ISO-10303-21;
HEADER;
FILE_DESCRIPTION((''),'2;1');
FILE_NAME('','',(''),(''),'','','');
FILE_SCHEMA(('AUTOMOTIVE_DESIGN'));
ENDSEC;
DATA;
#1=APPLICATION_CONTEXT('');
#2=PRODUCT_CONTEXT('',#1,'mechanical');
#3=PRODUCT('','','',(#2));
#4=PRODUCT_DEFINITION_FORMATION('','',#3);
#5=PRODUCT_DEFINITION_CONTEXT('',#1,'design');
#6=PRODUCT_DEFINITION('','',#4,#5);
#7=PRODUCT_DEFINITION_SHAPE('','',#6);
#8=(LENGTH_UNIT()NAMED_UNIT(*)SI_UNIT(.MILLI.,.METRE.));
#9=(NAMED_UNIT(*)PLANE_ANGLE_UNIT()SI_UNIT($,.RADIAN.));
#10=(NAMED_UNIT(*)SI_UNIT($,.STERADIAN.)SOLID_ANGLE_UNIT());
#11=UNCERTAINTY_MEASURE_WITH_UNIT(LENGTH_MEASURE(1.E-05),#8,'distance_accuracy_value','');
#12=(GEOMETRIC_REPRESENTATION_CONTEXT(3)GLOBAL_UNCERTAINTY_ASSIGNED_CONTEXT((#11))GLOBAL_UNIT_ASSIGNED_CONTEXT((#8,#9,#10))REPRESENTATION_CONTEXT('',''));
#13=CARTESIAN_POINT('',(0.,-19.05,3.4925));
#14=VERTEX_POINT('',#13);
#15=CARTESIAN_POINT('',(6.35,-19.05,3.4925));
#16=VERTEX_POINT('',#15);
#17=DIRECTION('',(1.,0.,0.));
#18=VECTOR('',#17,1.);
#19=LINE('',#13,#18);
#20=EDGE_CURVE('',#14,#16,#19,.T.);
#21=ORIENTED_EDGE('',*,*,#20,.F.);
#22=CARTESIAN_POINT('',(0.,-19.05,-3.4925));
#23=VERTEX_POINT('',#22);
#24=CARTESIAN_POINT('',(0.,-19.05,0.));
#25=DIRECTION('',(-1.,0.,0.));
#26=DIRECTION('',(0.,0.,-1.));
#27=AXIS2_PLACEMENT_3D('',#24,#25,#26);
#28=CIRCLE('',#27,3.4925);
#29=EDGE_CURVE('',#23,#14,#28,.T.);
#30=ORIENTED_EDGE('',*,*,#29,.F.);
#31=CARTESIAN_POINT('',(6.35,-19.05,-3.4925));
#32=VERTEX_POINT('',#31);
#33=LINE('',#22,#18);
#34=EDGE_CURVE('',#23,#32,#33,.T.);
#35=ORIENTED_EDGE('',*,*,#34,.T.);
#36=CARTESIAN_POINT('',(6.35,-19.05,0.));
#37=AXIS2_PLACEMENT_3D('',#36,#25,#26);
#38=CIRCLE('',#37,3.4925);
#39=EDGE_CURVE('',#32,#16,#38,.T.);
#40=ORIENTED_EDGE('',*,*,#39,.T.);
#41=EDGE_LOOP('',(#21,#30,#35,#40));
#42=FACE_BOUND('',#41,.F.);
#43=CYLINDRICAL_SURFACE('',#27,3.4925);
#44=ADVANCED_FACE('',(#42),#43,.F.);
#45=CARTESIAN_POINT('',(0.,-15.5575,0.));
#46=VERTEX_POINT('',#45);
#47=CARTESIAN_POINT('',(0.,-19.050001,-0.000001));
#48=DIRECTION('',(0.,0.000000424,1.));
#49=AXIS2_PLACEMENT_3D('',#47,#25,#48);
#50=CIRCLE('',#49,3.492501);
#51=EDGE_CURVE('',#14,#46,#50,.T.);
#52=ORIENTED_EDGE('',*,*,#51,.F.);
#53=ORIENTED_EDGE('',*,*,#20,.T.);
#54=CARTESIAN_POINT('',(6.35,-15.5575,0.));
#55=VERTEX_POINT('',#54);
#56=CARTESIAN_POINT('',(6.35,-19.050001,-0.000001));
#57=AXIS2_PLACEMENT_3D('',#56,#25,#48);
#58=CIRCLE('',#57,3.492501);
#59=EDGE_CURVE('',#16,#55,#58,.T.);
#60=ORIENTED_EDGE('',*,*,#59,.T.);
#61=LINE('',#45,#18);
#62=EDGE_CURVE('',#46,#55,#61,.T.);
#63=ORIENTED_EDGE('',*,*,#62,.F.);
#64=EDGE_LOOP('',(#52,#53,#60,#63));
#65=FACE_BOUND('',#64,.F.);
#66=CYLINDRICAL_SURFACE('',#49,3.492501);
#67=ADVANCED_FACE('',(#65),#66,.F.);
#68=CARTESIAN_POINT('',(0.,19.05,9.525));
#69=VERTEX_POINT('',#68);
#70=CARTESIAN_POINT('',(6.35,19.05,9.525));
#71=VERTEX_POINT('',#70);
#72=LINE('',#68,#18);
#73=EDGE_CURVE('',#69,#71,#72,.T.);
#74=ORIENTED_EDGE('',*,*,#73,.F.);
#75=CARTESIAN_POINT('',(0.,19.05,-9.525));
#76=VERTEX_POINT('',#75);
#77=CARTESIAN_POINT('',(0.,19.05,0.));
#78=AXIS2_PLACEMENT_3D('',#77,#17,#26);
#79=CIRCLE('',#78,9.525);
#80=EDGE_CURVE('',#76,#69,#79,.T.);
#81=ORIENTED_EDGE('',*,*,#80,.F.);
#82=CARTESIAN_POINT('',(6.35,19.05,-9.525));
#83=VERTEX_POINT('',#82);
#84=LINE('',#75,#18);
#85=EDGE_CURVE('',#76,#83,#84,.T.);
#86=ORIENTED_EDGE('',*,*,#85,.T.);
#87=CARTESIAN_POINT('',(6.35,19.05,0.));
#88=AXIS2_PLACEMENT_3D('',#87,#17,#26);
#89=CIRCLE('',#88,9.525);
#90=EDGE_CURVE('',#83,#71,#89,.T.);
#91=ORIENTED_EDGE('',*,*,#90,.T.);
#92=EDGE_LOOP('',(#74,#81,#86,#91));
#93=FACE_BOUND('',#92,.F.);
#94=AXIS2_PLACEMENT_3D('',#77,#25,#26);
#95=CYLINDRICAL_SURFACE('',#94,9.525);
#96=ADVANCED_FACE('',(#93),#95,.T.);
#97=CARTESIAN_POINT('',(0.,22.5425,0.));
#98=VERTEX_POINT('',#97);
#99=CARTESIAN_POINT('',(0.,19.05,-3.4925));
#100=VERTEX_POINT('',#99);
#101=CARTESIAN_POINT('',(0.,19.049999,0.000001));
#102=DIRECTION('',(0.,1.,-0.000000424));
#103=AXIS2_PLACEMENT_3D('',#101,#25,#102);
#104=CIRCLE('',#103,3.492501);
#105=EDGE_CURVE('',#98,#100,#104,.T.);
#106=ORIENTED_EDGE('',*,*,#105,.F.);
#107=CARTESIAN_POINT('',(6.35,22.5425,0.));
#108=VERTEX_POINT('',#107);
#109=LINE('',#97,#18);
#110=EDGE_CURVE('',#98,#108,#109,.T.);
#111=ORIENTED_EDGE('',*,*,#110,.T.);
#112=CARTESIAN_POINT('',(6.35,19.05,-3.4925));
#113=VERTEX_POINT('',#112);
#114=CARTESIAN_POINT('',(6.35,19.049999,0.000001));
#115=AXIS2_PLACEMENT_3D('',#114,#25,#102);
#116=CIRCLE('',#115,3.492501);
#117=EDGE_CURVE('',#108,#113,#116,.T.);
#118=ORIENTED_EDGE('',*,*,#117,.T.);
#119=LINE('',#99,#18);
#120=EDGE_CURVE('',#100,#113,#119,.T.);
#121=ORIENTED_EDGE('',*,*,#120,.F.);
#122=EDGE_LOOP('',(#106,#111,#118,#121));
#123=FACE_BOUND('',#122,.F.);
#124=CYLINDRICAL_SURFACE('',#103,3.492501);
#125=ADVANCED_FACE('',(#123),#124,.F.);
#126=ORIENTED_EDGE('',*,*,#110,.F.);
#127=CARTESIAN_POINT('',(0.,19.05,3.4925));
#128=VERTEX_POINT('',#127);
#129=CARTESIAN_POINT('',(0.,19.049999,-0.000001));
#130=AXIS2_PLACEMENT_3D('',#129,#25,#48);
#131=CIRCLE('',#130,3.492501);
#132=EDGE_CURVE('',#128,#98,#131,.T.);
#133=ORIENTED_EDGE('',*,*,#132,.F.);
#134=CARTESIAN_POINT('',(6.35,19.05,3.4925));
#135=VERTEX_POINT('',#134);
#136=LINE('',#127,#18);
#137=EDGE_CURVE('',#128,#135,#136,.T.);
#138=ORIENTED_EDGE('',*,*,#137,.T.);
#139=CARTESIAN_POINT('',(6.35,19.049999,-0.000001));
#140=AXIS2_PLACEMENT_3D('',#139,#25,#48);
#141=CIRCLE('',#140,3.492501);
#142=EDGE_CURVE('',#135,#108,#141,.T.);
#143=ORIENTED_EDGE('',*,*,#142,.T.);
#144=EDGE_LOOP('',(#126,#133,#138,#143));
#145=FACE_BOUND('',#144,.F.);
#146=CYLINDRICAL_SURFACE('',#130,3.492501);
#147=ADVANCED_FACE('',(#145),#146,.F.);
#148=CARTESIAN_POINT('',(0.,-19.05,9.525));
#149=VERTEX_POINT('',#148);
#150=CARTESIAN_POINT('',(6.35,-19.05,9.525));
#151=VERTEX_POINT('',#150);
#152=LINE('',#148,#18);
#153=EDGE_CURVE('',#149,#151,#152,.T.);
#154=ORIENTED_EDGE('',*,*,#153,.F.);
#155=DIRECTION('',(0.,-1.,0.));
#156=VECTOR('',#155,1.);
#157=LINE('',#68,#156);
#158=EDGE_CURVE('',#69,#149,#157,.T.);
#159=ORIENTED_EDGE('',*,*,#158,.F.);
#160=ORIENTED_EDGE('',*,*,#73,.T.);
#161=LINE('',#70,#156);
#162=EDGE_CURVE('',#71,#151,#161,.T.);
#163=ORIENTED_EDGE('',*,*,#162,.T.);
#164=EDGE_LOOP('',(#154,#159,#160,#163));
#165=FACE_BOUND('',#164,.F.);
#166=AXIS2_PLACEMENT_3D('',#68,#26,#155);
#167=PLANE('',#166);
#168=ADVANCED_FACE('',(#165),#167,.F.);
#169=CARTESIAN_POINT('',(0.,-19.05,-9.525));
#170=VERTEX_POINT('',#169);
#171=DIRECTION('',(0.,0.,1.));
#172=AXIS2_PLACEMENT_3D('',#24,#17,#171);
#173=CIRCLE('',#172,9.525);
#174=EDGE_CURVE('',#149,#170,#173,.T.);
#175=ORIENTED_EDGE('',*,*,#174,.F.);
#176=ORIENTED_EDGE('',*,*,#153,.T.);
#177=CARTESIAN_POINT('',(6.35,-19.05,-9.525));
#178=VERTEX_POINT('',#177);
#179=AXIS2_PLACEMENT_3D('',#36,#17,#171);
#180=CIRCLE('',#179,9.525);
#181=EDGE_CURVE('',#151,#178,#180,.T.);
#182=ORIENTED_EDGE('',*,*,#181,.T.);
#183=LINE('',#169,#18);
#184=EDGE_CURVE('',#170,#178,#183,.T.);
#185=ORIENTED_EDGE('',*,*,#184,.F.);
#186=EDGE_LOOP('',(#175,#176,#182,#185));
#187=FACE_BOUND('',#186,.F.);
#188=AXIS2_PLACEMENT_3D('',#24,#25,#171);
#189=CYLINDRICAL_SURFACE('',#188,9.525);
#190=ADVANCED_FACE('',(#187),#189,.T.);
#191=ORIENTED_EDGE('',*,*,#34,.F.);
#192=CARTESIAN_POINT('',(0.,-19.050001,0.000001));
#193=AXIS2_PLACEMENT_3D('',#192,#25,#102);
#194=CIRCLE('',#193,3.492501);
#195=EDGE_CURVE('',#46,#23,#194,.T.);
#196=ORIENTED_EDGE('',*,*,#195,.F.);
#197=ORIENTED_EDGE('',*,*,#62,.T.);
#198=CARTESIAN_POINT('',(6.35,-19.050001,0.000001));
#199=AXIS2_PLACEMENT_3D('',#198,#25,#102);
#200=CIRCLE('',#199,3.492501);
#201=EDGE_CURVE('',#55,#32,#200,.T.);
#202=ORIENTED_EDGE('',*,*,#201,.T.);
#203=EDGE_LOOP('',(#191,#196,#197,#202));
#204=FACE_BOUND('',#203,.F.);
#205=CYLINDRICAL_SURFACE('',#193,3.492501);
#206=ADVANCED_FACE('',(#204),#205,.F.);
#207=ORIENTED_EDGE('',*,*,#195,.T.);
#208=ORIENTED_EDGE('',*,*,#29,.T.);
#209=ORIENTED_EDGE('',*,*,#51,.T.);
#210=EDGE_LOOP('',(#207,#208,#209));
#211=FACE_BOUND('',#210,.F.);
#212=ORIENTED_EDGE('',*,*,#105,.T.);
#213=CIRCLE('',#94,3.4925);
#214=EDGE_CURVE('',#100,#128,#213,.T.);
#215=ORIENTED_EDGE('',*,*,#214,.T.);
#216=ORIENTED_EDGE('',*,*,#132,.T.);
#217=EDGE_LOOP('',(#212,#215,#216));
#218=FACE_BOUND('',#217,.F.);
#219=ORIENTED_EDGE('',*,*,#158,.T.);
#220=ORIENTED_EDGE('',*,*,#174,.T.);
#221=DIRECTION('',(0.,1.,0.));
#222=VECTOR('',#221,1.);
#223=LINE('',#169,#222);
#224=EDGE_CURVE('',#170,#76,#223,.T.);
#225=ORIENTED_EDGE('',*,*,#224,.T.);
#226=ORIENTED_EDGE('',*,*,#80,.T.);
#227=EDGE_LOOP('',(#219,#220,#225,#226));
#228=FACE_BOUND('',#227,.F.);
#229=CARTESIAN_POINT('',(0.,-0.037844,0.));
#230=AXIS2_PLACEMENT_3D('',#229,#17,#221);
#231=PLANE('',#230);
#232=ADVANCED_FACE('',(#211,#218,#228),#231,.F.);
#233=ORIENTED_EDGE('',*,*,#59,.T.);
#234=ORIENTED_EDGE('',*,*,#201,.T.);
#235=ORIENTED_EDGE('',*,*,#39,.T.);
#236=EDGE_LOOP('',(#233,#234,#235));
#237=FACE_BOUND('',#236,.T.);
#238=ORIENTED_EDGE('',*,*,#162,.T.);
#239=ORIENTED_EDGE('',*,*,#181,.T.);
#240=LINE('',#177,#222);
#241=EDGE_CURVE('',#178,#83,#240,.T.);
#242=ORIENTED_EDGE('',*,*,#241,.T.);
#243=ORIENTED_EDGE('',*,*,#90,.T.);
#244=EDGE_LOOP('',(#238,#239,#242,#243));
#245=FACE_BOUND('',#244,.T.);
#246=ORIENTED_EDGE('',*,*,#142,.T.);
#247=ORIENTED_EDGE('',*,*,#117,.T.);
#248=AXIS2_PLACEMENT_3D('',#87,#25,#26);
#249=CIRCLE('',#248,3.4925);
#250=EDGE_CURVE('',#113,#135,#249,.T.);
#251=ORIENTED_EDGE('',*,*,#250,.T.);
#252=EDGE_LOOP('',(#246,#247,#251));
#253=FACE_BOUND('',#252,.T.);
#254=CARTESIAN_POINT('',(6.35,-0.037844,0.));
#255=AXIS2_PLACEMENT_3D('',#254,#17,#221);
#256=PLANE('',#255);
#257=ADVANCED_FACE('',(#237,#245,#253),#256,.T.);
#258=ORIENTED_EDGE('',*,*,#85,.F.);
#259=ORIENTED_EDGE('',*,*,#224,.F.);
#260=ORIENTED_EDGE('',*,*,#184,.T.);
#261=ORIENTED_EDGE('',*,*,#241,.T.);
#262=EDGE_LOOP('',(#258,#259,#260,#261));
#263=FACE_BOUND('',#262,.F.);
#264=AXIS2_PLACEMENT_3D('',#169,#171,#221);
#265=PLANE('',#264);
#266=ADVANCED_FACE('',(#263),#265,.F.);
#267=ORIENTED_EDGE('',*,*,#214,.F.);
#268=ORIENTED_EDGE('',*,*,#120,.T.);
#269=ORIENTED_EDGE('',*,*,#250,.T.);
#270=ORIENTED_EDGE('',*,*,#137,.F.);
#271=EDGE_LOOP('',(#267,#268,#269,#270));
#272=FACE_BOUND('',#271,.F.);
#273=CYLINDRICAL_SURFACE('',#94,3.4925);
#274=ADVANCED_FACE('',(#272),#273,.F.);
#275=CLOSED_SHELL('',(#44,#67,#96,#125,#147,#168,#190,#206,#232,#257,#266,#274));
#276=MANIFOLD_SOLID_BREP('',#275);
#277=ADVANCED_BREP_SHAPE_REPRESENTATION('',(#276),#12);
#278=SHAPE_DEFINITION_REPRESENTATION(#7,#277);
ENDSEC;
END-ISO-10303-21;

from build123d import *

# Parameters (mm, degrees)
F1_DEPTH = 6.35


with BuildPart() as f1:
    # F0 (on Right) → F1 (new body)
    with BuildSketch(Plane.YZ):
        with BuildLine():
            Line((-19.05, -9.525), (19.05, -9.525))
            Line((19.05, -9.525), (19.05, -3.4925))
            ThreePointArc((19.05, -3.4925), (15.5575, 0), (19.05, 3.4925))
            Line((19.05, 3.4925), (19.05, 9.525))
            Line((19.05, 9.525), (-19.05, 9.525))
            Line((-19.05, 9.525), (-19.05, 3.4925))
            ThreePointArc((-19.05, 3.4925), (-16.58043, 2.46957), (-15.5575, 0))
            ThreePointArc((-15.5575, 0), (-16.58043, -2.46957), (-19.05, -3.4925))
            Line((-19.05, -3.4925), (-19.05, -9.525))
        make_face()
        with BuildLine():
            Line((19.05, -3.4925), (19.05, -9.525))
            ThreePointArc((19.05, -9.525), (28.575, 0), (19.05, 9.525))
            Line((19.05, 9.525), (19.05, 3.4925))
            ThreePointArc((19.05, 3.4925), (21.51957, 2.46957), (22.5425, 0))
            ThreePointArc((22.5425, 0), (21.51957, -2.46957), (19.05, -3.4925))
        make_face()
        with BuildLine():
            ThreePointArc((-19.05, 9.525), (-28.575, 0), (-19.05, -9.525))
            Line((-19.05, -9.525), (-19.05, -3.4925))
            ThreePointArc((-19.05, -3.4925), (-22.5425, 0), (-19.05, 3.4925))
            Line((-19.05, 3.4925), (-19.05, 9.525))
        make_face()
    extrude(amount=F1_DEPTH)


solid = f1.part
